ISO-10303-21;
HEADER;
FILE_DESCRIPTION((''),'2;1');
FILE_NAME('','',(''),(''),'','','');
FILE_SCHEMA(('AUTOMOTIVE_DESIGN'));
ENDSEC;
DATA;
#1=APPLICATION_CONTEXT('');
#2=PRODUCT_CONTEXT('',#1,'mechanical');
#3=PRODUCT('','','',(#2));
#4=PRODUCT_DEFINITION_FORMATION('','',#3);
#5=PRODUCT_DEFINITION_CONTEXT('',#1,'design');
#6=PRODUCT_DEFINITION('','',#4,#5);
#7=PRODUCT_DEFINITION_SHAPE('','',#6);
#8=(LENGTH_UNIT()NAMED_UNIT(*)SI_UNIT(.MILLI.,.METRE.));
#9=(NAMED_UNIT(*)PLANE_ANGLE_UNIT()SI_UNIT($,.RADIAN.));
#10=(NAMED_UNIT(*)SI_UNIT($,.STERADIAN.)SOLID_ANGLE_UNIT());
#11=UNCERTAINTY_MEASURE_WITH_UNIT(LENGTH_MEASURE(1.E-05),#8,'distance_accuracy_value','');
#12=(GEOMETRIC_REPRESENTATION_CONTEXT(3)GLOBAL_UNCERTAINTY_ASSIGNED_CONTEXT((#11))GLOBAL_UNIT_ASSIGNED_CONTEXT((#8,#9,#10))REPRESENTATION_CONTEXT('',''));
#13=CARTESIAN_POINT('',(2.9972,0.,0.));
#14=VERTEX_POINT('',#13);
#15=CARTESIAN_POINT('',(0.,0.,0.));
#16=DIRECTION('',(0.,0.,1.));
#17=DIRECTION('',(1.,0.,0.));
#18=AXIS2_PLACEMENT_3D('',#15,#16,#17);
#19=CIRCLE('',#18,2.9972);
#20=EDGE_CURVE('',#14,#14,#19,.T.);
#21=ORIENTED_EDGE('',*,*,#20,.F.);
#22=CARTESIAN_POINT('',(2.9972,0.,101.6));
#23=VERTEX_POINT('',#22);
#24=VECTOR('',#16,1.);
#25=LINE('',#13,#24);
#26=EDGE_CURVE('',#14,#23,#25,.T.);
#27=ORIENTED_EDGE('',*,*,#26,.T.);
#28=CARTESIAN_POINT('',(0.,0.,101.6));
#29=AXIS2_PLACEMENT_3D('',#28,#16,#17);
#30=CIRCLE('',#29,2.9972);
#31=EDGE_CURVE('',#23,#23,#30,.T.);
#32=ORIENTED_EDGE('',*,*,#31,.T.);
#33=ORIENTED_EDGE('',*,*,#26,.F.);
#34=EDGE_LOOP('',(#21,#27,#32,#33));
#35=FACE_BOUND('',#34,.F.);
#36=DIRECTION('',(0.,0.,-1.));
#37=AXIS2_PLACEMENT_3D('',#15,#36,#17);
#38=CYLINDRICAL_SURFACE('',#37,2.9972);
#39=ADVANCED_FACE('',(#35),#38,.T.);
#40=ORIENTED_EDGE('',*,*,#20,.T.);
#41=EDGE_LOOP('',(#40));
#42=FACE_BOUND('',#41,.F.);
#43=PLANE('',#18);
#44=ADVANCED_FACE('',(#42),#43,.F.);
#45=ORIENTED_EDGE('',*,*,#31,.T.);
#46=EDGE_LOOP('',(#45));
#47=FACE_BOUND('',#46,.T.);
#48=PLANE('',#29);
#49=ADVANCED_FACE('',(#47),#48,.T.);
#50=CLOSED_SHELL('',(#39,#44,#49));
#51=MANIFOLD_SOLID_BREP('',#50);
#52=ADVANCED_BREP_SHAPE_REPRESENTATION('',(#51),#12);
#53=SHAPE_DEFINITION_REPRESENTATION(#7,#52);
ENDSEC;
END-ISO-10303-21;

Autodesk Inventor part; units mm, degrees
ref_plane "YZ Plane" through (0, 0, 0) normal (1, 0, 0) x (0, 1, 0)
ref_plane "XZ Plane" through (0, 0, 0) normal (0, 1, 0) x (-1, 0, 0)
ref_plane "XY Plane" through (0, 0, 0) normal (0, 0, 1) x (1, 0, 0)
sketch "Sketch1" plane through (0, 0, 0) normal (0, 0, 1) x (1, 0, 0)
  circle A0 centre (0, 0) radius 2.9972
  dimension "d0" = 5.9944
extrude "Extrusion1" add sketch "Sketch1" along normal blind 101.6
properties part number "Axle1"
